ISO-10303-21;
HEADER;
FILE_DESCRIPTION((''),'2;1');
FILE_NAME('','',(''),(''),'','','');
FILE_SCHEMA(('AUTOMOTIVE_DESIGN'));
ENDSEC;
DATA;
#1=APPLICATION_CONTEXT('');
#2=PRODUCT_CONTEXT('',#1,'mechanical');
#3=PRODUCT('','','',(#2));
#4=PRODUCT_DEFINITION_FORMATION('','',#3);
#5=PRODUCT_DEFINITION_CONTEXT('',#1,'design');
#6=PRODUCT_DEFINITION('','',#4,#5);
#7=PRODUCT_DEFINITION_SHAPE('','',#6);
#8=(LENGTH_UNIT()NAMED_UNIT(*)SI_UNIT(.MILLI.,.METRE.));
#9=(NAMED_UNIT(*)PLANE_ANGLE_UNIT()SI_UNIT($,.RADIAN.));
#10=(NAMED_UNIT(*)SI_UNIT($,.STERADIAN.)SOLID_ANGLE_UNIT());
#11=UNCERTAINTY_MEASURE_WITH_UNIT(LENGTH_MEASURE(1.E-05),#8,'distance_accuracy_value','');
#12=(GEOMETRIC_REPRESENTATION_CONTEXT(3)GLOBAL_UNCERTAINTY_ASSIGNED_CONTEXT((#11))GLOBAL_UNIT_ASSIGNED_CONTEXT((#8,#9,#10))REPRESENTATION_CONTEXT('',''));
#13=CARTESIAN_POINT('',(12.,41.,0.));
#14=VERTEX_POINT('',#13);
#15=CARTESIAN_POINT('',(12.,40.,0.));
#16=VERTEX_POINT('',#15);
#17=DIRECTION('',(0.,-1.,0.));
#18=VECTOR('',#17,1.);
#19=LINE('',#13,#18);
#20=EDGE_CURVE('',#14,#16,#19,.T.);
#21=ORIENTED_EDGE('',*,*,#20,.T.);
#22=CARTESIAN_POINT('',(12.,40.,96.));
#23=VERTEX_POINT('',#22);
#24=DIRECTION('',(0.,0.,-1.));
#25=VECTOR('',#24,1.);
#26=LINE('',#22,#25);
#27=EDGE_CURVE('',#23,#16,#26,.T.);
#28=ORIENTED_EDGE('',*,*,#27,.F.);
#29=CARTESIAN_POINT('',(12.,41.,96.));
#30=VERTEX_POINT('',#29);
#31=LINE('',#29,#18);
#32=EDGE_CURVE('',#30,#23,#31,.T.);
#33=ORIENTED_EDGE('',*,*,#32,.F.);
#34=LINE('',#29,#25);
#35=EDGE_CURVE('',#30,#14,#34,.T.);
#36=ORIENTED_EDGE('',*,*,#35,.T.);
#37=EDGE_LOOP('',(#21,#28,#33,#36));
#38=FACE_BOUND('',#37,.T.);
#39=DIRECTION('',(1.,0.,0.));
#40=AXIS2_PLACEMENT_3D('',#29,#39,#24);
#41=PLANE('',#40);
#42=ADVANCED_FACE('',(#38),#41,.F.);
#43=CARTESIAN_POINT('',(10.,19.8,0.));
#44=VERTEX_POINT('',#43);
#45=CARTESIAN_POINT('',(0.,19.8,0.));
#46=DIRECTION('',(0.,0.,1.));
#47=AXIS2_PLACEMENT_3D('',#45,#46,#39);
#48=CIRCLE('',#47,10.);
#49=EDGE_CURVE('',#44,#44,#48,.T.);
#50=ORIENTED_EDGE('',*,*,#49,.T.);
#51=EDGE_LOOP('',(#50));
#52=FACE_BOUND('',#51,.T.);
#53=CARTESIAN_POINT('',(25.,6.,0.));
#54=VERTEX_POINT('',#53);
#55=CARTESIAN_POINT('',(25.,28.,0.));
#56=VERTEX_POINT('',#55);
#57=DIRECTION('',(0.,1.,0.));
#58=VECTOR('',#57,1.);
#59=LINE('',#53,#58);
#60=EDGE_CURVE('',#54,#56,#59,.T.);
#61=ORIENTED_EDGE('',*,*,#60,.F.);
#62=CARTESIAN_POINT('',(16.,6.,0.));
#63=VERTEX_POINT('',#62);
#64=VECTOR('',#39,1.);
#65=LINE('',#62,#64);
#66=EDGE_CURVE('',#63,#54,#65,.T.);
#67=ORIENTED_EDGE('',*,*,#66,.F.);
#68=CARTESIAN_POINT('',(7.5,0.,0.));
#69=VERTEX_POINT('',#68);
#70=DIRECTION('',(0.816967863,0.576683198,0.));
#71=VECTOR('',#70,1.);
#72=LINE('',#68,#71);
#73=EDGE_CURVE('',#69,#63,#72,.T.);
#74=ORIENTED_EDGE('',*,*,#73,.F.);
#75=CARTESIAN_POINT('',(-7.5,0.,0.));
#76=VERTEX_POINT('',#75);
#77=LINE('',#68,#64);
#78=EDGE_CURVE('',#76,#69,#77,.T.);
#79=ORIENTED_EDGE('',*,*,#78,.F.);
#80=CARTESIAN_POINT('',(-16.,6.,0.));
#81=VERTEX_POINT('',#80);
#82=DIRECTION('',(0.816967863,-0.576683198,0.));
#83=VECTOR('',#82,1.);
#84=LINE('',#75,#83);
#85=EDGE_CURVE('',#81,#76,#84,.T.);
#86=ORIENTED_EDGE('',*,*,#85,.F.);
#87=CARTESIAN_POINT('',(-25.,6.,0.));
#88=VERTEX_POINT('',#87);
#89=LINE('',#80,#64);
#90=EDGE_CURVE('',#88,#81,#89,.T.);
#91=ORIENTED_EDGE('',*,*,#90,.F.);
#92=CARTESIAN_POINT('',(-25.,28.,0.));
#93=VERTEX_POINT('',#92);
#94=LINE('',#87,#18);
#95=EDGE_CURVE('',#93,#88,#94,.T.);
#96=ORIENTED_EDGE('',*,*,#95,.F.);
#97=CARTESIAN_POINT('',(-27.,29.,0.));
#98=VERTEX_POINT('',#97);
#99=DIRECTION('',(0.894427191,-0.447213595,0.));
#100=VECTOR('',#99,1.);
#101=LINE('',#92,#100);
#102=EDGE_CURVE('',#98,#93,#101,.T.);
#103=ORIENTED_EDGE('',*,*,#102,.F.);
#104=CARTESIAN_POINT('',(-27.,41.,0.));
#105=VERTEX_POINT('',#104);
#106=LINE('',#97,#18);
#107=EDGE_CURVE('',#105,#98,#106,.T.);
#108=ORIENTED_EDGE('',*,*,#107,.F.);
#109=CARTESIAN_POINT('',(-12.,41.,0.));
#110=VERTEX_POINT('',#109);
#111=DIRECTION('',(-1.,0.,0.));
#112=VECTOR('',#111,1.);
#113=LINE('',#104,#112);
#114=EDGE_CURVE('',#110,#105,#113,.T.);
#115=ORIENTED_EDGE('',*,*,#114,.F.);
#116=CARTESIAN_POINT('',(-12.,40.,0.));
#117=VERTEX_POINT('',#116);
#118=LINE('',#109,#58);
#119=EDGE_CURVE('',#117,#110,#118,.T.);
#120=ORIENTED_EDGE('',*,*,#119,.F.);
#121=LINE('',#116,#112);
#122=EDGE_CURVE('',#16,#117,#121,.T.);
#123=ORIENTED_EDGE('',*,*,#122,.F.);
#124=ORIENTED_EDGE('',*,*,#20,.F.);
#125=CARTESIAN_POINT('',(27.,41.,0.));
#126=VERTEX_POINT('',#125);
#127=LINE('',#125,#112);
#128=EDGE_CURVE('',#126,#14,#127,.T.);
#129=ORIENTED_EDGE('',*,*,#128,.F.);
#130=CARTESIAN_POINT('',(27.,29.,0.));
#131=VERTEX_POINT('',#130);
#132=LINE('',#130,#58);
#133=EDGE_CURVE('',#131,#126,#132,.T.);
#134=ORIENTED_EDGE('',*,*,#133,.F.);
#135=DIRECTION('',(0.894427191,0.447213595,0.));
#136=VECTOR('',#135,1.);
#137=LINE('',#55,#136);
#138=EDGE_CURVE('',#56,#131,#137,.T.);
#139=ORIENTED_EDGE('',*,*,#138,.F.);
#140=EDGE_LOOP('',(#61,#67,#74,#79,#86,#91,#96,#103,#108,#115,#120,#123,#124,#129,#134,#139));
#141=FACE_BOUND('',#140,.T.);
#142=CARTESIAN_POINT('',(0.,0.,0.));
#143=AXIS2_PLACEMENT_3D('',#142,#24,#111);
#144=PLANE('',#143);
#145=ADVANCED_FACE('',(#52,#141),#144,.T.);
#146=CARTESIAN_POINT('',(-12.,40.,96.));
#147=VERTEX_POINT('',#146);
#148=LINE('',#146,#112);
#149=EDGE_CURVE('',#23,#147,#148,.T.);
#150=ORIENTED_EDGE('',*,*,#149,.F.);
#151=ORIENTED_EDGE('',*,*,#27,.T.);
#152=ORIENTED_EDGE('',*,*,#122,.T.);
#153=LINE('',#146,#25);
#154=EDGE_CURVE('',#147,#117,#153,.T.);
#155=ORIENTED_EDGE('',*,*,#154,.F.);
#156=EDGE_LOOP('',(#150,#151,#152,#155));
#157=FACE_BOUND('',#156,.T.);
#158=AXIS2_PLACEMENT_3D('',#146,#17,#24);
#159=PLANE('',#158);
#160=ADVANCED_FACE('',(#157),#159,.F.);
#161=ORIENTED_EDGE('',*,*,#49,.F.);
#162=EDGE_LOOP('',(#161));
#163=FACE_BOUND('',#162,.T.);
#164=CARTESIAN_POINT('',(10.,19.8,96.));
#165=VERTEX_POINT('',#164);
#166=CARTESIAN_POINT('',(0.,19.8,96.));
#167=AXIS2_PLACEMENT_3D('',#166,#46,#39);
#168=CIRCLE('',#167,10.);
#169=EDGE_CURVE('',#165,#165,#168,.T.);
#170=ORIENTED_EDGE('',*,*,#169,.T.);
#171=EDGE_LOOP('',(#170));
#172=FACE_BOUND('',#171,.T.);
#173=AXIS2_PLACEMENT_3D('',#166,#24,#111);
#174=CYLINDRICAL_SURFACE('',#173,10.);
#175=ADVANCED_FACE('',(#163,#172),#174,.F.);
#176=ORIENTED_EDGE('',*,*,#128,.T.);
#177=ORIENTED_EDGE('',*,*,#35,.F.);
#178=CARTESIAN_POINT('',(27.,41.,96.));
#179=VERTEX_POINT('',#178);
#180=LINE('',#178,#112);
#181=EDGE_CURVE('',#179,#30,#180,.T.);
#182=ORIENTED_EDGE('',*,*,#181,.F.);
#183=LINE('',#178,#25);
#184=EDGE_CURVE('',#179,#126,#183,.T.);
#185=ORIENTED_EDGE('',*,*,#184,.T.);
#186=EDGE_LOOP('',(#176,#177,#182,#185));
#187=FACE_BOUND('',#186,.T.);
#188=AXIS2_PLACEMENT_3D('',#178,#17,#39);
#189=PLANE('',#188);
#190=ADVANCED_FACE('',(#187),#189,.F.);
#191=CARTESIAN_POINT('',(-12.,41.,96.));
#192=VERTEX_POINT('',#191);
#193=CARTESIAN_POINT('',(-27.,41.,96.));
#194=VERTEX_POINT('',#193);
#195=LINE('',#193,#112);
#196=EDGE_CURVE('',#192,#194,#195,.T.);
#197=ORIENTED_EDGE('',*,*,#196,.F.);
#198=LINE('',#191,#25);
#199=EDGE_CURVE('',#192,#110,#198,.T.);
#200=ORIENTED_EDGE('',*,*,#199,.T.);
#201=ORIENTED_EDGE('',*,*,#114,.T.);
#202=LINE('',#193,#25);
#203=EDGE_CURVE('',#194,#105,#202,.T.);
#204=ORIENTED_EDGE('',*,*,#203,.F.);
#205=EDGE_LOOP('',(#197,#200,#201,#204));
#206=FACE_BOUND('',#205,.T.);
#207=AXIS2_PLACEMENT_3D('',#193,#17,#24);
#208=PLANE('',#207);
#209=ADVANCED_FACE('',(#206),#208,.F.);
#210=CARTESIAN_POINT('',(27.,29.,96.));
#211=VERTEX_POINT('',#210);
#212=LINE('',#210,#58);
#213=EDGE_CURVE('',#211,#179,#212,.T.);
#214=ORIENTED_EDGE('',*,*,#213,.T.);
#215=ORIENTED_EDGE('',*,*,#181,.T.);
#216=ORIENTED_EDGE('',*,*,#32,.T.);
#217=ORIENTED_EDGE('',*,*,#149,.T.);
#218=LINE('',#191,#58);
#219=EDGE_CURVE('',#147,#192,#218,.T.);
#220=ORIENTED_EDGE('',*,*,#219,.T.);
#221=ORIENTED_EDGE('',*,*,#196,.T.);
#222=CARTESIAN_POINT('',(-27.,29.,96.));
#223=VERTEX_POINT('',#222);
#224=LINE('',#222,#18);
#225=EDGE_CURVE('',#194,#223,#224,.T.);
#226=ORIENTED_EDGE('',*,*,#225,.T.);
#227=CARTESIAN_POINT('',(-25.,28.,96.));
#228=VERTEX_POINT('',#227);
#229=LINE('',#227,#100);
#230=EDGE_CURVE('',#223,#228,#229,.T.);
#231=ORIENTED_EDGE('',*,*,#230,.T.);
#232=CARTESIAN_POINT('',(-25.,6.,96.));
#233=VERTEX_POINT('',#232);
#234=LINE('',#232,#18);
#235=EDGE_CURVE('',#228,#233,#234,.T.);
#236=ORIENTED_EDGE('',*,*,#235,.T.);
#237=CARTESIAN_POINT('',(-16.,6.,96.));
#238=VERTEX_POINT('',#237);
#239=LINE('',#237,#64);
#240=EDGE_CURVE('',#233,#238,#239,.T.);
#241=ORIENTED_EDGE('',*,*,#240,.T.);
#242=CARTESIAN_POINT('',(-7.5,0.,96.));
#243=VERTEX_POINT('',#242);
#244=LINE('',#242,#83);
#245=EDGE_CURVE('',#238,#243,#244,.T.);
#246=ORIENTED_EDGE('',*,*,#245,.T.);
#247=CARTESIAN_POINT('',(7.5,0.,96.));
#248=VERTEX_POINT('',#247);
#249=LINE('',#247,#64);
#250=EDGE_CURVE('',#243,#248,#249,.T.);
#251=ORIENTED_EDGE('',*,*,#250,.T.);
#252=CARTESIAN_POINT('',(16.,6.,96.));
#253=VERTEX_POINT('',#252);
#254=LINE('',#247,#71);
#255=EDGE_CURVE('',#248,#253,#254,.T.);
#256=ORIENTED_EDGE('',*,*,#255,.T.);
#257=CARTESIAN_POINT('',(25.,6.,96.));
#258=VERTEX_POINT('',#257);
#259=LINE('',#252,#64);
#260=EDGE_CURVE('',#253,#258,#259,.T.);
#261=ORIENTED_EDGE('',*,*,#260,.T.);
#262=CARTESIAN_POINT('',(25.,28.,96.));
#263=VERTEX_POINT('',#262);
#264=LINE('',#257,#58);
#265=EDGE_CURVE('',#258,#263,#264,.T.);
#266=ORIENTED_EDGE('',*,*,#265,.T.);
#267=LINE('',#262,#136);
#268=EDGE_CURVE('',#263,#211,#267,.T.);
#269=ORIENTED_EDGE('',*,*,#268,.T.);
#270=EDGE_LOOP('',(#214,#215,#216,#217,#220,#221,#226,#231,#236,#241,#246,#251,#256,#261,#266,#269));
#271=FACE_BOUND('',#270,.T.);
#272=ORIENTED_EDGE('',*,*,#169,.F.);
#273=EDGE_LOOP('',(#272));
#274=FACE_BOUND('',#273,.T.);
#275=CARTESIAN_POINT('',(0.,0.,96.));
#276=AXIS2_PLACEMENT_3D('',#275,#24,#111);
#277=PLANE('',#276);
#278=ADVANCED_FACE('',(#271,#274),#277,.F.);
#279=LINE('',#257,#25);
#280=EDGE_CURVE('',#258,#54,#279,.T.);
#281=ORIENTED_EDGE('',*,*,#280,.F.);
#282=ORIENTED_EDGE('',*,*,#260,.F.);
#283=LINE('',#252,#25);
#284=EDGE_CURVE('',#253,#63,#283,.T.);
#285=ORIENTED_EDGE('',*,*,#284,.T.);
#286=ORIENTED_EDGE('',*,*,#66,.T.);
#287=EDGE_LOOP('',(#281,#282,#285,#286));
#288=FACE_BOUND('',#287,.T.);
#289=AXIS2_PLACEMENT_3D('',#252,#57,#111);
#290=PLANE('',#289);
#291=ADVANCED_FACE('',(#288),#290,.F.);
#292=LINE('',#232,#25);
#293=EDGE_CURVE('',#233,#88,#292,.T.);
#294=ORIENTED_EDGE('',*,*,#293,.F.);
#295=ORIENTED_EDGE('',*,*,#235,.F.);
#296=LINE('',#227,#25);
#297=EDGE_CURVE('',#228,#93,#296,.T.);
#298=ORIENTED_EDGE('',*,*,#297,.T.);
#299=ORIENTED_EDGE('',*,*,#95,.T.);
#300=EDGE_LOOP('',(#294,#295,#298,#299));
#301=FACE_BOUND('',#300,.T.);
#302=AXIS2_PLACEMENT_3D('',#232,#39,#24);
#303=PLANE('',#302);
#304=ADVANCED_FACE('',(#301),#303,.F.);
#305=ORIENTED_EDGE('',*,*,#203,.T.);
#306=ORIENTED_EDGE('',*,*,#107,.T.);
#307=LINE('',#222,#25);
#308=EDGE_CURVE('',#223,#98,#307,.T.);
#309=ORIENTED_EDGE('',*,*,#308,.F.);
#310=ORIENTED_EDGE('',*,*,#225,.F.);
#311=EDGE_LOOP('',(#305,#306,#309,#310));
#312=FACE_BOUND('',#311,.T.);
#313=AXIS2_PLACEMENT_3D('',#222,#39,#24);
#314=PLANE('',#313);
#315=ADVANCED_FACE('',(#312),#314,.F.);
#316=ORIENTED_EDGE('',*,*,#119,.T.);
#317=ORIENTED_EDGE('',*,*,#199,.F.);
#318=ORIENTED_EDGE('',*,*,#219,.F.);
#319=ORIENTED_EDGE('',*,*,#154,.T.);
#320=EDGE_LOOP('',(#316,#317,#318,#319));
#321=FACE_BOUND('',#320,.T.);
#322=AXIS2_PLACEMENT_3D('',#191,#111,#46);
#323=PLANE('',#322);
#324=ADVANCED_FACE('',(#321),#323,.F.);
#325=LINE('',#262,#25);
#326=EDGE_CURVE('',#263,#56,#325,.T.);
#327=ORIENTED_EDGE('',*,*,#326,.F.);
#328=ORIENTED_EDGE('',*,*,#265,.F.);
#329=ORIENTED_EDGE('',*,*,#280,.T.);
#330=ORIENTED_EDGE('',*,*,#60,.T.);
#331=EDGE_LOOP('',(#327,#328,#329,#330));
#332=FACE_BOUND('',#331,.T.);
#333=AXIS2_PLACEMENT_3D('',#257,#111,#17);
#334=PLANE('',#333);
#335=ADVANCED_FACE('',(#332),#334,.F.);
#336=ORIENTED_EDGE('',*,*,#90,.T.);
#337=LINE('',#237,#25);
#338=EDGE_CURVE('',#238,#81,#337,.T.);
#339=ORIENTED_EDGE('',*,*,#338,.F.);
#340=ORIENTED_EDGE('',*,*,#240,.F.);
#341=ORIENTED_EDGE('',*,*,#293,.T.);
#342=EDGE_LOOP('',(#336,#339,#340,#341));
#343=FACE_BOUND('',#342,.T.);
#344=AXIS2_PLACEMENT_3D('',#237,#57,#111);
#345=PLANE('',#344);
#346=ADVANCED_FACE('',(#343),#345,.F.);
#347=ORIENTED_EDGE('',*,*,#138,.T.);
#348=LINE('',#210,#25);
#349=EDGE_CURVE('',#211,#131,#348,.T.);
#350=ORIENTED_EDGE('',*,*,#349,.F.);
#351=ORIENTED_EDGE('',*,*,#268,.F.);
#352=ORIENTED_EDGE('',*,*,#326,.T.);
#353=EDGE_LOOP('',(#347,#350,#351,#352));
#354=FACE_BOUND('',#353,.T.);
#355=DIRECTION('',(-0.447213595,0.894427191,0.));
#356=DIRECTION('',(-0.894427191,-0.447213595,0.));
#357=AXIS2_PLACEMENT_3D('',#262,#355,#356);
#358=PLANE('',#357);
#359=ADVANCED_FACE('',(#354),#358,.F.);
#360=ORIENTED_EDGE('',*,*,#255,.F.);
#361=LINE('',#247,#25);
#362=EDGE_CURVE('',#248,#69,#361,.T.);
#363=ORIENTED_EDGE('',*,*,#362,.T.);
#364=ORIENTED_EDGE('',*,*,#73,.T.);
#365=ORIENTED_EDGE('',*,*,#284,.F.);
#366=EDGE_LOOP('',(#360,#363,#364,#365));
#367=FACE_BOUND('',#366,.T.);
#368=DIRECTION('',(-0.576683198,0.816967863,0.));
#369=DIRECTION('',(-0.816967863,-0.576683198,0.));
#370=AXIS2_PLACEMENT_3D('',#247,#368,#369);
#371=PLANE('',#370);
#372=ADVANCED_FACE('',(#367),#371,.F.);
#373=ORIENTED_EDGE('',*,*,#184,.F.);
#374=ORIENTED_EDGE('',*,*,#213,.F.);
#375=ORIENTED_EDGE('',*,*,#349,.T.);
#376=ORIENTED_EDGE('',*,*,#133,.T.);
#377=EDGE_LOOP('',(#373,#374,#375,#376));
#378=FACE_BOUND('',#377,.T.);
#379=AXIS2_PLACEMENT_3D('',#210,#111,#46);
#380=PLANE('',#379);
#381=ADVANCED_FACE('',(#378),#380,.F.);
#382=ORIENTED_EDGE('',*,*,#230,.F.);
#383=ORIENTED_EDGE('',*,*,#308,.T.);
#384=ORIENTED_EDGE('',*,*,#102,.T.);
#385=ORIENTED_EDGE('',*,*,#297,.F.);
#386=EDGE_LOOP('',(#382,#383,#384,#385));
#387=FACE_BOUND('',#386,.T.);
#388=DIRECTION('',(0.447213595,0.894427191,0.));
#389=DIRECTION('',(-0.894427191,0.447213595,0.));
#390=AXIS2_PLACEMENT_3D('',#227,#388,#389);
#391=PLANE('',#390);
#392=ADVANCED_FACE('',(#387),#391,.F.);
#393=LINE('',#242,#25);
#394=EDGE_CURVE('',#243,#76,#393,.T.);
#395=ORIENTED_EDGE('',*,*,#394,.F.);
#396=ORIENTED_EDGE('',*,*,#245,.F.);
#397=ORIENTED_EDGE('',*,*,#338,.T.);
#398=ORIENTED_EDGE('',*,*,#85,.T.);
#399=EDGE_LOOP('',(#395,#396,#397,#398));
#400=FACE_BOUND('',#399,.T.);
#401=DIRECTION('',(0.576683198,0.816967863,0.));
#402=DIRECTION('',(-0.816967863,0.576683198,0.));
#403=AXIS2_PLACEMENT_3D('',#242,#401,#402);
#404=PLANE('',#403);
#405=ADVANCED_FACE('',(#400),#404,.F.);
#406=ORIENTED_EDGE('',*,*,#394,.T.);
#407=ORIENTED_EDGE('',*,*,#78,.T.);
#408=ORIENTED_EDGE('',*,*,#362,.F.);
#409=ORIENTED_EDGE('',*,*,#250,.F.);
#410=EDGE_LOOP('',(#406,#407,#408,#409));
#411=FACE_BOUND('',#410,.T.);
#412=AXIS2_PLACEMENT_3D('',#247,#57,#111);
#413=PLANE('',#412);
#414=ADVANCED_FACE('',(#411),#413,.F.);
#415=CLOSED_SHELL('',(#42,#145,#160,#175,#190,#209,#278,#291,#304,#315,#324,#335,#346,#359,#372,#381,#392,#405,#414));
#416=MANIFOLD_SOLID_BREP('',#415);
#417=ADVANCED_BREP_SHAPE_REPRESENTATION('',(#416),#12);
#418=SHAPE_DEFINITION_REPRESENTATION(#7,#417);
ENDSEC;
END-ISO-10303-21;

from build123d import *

# Parameters (mm, degrees)
SKETCH_1_R      = 10
EXTRUDE_1_DEPTH = 96


with BuildPart() as part:
    # 草图1 → 凸台-拉伸1 (new body)
    with BuildSketch(Plane.XY):
        Polygon((7.5, 0), (-7.5, 0), (-16, 6), (-25, 6), (-25, 28), (-27, 29), (-27, 41), (-12, 41), (-12, 40), (12, 40), (12, 41), (27, 41), (27, 29), (25, 28), (25, 6), (16, 6), align=None)
        with Locations((0, 19.8)):
            Circle(SKETCH_1_R, mode=Mode.SUBTRACT)
    extrude(amount=EXTRUDE_1_DEPTH)


solid = part.part
